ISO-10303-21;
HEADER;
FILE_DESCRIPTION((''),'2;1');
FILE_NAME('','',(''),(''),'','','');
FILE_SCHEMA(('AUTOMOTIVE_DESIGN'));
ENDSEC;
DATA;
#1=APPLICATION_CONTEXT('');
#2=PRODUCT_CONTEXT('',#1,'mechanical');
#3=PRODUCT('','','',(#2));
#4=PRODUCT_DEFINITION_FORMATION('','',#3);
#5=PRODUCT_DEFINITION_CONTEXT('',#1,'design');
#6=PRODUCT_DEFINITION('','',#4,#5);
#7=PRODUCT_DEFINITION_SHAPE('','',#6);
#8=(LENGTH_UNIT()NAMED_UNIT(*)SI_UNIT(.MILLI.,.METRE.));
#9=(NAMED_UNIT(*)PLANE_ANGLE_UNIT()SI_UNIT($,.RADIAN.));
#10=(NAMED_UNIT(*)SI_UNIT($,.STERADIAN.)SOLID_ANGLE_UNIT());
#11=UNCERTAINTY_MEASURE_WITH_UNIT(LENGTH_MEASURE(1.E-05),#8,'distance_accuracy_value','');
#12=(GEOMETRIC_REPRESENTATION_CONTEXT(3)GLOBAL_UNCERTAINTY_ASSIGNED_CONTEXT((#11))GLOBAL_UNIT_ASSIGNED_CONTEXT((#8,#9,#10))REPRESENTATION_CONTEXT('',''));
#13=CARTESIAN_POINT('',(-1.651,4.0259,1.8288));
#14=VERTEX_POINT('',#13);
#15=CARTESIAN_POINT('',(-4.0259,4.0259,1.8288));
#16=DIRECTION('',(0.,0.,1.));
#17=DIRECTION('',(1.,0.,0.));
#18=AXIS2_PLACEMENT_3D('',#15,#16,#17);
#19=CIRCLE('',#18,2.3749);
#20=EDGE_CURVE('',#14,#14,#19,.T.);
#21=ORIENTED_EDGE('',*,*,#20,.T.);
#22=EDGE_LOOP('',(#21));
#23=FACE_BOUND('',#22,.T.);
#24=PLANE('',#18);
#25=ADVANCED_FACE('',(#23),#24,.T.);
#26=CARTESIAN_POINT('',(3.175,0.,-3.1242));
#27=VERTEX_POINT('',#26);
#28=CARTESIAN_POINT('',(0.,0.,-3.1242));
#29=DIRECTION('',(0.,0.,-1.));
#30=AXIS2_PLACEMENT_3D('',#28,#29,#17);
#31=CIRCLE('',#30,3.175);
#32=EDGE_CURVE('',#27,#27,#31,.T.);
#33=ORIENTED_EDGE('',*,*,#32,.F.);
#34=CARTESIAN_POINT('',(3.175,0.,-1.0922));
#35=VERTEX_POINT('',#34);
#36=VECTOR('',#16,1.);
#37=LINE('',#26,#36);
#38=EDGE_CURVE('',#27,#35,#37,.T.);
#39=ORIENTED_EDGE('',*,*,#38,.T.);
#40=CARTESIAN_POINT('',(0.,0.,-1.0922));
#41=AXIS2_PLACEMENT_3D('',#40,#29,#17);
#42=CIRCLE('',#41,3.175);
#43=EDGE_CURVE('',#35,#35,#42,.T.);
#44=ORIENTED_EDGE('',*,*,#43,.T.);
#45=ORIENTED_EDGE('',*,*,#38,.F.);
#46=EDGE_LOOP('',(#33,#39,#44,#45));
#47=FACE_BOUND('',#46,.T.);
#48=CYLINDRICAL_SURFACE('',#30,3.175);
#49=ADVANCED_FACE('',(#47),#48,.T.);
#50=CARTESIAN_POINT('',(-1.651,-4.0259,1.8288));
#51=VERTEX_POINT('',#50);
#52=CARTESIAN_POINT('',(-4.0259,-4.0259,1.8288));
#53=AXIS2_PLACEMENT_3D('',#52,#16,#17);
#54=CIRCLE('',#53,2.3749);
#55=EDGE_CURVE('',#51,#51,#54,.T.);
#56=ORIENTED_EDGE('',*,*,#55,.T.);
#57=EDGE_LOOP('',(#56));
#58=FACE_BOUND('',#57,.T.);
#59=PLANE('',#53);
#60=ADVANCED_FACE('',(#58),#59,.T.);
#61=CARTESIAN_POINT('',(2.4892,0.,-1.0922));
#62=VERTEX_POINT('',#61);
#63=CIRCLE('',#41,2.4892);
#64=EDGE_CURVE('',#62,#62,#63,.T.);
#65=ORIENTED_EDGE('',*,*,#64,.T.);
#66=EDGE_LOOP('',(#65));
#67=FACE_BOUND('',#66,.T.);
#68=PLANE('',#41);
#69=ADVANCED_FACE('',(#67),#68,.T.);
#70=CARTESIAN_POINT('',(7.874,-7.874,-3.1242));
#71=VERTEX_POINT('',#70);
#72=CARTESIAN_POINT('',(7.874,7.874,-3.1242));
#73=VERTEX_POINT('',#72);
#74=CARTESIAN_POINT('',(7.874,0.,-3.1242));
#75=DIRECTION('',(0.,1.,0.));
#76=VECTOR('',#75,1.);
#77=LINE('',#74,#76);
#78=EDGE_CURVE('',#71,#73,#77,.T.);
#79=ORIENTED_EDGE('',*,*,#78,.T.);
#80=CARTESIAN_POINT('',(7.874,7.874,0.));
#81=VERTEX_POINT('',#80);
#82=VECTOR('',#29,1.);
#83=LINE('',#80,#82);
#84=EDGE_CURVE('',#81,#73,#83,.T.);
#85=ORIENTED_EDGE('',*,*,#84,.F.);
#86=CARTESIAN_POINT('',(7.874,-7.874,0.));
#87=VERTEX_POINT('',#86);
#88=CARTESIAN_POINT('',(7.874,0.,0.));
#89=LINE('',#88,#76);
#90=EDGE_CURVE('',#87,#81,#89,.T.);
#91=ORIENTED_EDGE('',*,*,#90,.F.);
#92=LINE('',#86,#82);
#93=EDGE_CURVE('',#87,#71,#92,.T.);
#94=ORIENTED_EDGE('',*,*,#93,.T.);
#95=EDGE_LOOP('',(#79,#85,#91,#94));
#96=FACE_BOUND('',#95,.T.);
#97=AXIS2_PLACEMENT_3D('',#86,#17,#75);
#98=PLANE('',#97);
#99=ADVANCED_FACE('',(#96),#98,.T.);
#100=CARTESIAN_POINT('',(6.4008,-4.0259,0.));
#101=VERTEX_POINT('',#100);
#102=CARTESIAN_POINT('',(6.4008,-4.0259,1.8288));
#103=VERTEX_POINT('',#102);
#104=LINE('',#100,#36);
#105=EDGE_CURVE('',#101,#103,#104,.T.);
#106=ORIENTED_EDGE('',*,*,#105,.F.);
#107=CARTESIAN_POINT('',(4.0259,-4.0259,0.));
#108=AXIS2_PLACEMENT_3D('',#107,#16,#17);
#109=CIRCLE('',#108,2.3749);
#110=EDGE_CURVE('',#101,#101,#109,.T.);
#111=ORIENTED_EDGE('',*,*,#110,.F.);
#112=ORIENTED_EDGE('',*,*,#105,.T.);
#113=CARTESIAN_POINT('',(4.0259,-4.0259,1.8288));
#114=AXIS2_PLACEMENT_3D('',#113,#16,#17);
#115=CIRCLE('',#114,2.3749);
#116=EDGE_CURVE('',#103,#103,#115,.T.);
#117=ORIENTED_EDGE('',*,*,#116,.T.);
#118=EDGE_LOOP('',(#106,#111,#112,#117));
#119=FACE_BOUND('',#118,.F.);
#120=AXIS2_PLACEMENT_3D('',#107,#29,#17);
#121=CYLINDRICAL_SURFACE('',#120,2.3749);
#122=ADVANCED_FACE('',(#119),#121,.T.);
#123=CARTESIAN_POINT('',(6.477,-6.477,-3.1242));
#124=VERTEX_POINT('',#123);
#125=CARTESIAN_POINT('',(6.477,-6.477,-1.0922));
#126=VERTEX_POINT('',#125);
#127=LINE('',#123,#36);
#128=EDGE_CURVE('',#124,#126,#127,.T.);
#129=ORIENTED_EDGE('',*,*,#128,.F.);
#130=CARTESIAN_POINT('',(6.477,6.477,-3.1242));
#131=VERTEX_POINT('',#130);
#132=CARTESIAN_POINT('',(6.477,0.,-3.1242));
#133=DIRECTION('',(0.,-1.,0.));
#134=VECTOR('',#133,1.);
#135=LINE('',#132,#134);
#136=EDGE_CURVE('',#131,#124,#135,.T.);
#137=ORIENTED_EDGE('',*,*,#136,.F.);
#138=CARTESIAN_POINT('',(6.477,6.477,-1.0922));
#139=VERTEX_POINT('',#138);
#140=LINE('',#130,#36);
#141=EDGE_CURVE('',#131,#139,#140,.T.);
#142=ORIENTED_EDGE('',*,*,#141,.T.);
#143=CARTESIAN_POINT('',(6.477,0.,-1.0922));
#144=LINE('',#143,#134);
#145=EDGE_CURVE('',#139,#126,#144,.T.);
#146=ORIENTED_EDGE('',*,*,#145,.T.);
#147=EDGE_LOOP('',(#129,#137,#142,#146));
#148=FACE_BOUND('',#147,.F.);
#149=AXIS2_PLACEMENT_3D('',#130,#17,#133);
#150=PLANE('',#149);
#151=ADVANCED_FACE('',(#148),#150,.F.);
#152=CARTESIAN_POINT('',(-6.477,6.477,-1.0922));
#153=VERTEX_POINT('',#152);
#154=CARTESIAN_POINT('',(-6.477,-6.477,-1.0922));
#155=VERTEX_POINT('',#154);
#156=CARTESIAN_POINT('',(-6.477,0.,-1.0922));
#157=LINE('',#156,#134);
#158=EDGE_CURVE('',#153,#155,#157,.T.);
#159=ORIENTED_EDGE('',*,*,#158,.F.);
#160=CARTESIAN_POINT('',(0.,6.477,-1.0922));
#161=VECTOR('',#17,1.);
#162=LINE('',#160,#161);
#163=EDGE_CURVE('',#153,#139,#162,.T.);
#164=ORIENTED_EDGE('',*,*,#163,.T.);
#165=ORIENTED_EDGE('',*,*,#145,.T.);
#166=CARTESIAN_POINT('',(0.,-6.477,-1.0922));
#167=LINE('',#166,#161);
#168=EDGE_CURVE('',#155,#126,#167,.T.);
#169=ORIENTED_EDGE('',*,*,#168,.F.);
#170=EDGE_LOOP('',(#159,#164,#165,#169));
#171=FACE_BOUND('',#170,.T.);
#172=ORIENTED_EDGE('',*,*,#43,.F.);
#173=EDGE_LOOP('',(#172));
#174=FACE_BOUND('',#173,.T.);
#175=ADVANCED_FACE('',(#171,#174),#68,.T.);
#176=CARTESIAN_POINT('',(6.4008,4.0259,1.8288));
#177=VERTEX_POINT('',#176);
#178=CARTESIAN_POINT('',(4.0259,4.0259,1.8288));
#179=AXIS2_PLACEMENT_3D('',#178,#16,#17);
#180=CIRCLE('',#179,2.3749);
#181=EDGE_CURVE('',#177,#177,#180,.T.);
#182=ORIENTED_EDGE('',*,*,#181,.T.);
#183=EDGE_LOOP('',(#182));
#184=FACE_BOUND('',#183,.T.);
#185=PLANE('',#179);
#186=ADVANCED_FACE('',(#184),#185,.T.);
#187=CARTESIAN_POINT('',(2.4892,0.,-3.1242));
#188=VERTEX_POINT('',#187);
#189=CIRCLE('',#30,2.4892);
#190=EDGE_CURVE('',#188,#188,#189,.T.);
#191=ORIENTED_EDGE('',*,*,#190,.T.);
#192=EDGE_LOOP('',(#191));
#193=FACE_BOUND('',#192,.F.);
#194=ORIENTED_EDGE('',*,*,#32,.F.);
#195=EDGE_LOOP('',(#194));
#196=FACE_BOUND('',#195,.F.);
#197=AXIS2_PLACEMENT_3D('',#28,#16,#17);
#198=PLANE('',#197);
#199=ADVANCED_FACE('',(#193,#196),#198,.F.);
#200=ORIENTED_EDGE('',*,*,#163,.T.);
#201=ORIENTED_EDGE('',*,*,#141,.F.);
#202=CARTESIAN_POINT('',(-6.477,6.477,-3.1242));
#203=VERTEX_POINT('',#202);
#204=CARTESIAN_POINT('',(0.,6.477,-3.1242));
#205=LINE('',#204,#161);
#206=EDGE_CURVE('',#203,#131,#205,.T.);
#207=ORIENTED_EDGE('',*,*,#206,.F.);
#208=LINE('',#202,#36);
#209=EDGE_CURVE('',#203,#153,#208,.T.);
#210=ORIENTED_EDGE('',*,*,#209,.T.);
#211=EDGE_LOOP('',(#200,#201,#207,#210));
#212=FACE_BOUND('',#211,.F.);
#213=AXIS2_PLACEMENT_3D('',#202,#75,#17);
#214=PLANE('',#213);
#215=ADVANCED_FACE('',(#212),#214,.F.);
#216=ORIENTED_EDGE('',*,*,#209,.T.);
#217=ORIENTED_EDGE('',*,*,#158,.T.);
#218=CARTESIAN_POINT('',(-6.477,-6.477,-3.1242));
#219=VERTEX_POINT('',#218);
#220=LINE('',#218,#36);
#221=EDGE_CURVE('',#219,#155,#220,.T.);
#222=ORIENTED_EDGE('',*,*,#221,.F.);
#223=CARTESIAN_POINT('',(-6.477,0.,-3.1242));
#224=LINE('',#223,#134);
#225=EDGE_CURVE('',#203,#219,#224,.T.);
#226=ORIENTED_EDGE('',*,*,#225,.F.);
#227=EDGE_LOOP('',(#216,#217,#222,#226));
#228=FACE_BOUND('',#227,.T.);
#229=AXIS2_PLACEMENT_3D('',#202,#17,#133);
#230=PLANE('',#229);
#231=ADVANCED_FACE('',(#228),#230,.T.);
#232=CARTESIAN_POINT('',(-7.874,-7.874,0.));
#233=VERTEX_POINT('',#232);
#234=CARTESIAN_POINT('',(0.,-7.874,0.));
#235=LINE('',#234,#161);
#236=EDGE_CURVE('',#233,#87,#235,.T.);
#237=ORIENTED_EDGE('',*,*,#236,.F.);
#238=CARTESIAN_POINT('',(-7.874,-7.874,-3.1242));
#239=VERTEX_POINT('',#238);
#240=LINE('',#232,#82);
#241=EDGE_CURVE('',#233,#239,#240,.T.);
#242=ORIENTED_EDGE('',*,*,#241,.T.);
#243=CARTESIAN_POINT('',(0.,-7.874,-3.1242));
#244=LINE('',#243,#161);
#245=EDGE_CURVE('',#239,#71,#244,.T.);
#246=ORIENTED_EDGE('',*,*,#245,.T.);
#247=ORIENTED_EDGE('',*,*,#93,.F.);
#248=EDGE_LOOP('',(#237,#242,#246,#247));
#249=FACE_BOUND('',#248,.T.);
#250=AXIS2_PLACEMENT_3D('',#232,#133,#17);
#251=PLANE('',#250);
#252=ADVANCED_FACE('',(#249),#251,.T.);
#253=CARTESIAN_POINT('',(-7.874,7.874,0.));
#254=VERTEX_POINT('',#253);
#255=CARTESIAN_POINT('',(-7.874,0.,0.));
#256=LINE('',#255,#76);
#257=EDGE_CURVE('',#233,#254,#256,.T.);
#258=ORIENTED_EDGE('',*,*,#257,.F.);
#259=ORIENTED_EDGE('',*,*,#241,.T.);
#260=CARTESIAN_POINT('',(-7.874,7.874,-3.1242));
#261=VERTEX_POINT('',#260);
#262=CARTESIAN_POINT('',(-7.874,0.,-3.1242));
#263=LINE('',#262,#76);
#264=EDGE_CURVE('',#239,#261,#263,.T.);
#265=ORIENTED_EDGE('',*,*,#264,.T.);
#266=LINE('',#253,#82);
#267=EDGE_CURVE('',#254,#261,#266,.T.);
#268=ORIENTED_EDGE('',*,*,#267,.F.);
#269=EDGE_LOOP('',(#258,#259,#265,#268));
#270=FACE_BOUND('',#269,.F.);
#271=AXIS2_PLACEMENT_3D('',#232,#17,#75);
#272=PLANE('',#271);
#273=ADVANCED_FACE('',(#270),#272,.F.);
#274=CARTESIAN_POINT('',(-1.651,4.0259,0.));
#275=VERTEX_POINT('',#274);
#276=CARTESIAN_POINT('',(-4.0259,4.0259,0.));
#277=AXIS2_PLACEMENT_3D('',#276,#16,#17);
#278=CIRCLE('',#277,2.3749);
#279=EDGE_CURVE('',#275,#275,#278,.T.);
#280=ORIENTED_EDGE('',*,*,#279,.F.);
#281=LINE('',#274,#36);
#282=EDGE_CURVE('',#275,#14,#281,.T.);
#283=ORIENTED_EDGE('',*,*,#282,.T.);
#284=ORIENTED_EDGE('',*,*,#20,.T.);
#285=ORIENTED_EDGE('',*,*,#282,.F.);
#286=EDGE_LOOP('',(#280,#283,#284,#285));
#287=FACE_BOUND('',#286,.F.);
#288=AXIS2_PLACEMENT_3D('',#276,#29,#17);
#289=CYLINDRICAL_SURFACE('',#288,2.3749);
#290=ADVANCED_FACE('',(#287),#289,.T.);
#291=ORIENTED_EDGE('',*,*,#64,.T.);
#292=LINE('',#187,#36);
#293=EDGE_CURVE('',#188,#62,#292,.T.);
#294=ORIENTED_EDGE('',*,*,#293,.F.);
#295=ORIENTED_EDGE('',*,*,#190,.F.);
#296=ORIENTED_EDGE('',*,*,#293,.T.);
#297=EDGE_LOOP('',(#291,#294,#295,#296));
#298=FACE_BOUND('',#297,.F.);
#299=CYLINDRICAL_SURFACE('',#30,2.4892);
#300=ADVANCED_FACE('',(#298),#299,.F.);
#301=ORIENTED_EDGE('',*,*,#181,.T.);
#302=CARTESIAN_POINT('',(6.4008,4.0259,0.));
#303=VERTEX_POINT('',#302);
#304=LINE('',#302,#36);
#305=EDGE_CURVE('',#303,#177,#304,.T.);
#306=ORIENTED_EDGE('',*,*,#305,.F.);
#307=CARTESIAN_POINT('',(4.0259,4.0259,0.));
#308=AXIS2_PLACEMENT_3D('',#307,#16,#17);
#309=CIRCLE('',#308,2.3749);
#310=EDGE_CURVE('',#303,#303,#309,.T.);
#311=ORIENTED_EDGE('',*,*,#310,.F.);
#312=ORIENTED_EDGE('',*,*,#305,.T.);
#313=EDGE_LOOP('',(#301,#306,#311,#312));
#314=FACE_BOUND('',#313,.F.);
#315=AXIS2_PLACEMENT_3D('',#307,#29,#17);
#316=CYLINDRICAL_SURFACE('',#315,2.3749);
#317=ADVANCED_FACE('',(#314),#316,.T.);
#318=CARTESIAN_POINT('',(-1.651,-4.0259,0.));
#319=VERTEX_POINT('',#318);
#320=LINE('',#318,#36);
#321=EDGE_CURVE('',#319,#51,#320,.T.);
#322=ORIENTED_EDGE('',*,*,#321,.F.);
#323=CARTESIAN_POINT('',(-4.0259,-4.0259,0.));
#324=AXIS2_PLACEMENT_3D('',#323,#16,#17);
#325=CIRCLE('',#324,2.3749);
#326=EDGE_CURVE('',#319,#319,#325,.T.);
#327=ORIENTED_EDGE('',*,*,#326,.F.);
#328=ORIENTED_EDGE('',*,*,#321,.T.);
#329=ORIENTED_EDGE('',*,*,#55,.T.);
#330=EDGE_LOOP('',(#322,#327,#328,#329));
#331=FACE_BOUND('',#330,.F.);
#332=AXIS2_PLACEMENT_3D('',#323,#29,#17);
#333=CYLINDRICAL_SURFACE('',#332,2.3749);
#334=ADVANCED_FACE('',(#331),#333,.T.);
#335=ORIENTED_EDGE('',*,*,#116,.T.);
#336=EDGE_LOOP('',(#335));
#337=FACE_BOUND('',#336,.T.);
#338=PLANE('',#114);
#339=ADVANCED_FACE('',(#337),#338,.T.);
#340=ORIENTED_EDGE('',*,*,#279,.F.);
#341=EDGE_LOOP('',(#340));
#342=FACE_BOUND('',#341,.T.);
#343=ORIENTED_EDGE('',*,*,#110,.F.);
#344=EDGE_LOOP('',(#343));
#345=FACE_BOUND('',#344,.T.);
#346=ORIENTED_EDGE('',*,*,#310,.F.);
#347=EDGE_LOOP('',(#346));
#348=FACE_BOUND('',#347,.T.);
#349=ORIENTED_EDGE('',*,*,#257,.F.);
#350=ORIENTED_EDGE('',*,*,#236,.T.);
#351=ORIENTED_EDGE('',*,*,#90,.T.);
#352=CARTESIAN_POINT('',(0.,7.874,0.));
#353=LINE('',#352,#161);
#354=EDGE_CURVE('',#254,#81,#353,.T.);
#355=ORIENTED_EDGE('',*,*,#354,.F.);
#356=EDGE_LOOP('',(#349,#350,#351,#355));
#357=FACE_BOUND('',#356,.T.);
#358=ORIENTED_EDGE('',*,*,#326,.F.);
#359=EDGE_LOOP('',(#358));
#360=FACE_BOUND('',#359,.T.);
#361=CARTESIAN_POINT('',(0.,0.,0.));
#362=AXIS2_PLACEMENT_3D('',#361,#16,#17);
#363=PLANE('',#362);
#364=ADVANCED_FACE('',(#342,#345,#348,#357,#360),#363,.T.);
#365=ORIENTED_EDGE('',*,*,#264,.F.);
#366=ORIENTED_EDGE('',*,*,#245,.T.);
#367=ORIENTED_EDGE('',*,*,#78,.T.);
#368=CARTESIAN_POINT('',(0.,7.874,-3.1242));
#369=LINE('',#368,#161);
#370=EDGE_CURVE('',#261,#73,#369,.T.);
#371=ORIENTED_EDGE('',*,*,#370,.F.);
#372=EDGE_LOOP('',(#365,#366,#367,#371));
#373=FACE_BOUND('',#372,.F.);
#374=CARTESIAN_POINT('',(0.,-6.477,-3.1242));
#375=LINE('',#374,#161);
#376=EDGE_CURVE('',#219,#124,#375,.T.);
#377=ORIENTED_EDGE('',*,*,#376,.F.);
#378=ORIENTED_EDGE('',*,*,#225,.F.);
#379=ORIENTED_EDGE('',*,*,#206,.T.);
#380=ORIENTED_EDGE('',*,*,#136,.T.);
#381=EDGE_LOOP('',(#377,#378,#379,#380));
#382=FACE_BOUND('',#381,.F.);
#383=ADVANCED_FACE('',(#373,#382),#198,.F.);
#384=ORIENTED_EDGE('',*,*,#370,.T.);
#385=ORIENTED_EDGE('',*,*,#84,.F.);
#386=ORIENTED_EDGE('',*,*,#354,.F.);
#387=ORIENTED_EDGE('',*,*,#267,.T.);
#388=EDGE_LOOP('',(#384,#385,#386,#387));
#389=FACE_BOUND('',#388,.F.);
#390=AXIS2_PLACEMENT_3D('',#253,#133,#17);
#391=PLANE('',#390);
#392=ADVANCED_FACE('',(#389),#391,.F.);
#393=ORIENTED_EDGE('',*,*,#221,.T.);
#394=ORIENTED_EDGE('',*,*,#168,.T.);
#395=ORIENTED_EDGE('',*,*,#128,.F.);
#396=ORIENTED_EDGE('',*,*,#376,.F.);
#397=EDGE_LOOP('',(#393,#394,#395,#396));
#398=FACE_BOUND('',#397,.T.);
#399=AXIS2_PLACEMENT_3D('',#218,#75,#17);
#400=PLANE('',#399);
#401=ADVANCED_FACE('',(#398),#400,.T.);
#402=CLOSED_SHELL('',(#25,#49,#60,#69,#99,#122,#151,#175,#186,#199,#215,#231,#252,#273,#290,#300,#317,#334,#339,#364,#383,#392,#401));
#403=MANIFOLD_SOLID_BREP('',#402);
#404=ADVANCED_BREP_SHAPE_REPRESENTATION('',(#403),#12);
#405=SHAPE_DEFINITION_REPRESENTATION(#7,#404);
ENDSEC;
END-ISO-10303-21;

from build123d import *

# Parameters (mm, degrees)
F0_W     = 15.748
F0_H     = 15.748
F0_R     = 2.3749
F1_DEPTH = 3.1242
F2_DEPTH = 1.8288
F3_W     = 12.954
F3_H     = 12.954
F3_R     = 3.175
F4_DEPTH = 2.032
F3_R_2   = 2.4892
F5_DEPTH = 2.032


with BuildPart() as f1:
    # F0 (on Top) → F1 (new body)
    with BuildSketch(Plane.XY):
        Rectangle(F0_W, F0_H)
        with Locations((-4.0259, -4.0259)):
            Circle(F0_R, mode=Mode.SUBTRACT)
        with Locations((4.0259, -4.0259)):
            Circle(F0_R, mode=Mode.SUBTRACT)
        with Locations((-4.0259, 4.0259)):
            Circle(F0_R, mode=Mode.SUBTRACT)
        with Locations((4.0259, 4.0259)):
            Circle(F0_R, mode=Mode.SUBTRACT)
        with Locations((-4.0259, 4.0259)):
            Circle(F0_R)
        with Locations((-4.0259, -4.0259)):
            Circle(F0_R)
        with Locations((4.0259, -4.0259)):
            Circle(F0_R)
        with Locations((4.0259, 4.0259)):
            Circle(F0_R)
    extrude(amount=-F1_DEPTH)

    # F0 (on Top) → F2 (join)
    with BuildSketch(Plane.XY):
        with Locations((-4.0259, 4.0259)):
            Circle(F0_R)
        with Locations((-4.0259, -4.0259)):
            Circle(F0_R)
        with Locations((4.0259, -4.0259)):
            Circle(F0_R)
        with Locations((4.0259, 4.0259)):
            Circle(F0_R)
    extrude(amount=F2_DEPTH)

    # F3 (on face) → F4 (cut)
    with BuildSketch(Plane(origin=(0, 0, -3.1242), x_dir=(1, 0, 0), z_dir=(0, 0, -1))):
        Rectangle(F3_W, F3_H)
        Circle(F3_R, mode=Mode.SUBTRACT)
    extrude(amount=-F4_DEPTH, mode=Mode.SUBTRACT)

    # F3 (on face) → F5 (cut)
    with BuildSketch(Plane(origin=(0, 0, -3.1242), x_dir=(1, 0, 0), z_dir=(0, 0, -1))):
        Circle(F3_R_2)
    extrude(amount=-F5_DEPTH, mode=Mode.SUBTRACT)


solid = f1.part
